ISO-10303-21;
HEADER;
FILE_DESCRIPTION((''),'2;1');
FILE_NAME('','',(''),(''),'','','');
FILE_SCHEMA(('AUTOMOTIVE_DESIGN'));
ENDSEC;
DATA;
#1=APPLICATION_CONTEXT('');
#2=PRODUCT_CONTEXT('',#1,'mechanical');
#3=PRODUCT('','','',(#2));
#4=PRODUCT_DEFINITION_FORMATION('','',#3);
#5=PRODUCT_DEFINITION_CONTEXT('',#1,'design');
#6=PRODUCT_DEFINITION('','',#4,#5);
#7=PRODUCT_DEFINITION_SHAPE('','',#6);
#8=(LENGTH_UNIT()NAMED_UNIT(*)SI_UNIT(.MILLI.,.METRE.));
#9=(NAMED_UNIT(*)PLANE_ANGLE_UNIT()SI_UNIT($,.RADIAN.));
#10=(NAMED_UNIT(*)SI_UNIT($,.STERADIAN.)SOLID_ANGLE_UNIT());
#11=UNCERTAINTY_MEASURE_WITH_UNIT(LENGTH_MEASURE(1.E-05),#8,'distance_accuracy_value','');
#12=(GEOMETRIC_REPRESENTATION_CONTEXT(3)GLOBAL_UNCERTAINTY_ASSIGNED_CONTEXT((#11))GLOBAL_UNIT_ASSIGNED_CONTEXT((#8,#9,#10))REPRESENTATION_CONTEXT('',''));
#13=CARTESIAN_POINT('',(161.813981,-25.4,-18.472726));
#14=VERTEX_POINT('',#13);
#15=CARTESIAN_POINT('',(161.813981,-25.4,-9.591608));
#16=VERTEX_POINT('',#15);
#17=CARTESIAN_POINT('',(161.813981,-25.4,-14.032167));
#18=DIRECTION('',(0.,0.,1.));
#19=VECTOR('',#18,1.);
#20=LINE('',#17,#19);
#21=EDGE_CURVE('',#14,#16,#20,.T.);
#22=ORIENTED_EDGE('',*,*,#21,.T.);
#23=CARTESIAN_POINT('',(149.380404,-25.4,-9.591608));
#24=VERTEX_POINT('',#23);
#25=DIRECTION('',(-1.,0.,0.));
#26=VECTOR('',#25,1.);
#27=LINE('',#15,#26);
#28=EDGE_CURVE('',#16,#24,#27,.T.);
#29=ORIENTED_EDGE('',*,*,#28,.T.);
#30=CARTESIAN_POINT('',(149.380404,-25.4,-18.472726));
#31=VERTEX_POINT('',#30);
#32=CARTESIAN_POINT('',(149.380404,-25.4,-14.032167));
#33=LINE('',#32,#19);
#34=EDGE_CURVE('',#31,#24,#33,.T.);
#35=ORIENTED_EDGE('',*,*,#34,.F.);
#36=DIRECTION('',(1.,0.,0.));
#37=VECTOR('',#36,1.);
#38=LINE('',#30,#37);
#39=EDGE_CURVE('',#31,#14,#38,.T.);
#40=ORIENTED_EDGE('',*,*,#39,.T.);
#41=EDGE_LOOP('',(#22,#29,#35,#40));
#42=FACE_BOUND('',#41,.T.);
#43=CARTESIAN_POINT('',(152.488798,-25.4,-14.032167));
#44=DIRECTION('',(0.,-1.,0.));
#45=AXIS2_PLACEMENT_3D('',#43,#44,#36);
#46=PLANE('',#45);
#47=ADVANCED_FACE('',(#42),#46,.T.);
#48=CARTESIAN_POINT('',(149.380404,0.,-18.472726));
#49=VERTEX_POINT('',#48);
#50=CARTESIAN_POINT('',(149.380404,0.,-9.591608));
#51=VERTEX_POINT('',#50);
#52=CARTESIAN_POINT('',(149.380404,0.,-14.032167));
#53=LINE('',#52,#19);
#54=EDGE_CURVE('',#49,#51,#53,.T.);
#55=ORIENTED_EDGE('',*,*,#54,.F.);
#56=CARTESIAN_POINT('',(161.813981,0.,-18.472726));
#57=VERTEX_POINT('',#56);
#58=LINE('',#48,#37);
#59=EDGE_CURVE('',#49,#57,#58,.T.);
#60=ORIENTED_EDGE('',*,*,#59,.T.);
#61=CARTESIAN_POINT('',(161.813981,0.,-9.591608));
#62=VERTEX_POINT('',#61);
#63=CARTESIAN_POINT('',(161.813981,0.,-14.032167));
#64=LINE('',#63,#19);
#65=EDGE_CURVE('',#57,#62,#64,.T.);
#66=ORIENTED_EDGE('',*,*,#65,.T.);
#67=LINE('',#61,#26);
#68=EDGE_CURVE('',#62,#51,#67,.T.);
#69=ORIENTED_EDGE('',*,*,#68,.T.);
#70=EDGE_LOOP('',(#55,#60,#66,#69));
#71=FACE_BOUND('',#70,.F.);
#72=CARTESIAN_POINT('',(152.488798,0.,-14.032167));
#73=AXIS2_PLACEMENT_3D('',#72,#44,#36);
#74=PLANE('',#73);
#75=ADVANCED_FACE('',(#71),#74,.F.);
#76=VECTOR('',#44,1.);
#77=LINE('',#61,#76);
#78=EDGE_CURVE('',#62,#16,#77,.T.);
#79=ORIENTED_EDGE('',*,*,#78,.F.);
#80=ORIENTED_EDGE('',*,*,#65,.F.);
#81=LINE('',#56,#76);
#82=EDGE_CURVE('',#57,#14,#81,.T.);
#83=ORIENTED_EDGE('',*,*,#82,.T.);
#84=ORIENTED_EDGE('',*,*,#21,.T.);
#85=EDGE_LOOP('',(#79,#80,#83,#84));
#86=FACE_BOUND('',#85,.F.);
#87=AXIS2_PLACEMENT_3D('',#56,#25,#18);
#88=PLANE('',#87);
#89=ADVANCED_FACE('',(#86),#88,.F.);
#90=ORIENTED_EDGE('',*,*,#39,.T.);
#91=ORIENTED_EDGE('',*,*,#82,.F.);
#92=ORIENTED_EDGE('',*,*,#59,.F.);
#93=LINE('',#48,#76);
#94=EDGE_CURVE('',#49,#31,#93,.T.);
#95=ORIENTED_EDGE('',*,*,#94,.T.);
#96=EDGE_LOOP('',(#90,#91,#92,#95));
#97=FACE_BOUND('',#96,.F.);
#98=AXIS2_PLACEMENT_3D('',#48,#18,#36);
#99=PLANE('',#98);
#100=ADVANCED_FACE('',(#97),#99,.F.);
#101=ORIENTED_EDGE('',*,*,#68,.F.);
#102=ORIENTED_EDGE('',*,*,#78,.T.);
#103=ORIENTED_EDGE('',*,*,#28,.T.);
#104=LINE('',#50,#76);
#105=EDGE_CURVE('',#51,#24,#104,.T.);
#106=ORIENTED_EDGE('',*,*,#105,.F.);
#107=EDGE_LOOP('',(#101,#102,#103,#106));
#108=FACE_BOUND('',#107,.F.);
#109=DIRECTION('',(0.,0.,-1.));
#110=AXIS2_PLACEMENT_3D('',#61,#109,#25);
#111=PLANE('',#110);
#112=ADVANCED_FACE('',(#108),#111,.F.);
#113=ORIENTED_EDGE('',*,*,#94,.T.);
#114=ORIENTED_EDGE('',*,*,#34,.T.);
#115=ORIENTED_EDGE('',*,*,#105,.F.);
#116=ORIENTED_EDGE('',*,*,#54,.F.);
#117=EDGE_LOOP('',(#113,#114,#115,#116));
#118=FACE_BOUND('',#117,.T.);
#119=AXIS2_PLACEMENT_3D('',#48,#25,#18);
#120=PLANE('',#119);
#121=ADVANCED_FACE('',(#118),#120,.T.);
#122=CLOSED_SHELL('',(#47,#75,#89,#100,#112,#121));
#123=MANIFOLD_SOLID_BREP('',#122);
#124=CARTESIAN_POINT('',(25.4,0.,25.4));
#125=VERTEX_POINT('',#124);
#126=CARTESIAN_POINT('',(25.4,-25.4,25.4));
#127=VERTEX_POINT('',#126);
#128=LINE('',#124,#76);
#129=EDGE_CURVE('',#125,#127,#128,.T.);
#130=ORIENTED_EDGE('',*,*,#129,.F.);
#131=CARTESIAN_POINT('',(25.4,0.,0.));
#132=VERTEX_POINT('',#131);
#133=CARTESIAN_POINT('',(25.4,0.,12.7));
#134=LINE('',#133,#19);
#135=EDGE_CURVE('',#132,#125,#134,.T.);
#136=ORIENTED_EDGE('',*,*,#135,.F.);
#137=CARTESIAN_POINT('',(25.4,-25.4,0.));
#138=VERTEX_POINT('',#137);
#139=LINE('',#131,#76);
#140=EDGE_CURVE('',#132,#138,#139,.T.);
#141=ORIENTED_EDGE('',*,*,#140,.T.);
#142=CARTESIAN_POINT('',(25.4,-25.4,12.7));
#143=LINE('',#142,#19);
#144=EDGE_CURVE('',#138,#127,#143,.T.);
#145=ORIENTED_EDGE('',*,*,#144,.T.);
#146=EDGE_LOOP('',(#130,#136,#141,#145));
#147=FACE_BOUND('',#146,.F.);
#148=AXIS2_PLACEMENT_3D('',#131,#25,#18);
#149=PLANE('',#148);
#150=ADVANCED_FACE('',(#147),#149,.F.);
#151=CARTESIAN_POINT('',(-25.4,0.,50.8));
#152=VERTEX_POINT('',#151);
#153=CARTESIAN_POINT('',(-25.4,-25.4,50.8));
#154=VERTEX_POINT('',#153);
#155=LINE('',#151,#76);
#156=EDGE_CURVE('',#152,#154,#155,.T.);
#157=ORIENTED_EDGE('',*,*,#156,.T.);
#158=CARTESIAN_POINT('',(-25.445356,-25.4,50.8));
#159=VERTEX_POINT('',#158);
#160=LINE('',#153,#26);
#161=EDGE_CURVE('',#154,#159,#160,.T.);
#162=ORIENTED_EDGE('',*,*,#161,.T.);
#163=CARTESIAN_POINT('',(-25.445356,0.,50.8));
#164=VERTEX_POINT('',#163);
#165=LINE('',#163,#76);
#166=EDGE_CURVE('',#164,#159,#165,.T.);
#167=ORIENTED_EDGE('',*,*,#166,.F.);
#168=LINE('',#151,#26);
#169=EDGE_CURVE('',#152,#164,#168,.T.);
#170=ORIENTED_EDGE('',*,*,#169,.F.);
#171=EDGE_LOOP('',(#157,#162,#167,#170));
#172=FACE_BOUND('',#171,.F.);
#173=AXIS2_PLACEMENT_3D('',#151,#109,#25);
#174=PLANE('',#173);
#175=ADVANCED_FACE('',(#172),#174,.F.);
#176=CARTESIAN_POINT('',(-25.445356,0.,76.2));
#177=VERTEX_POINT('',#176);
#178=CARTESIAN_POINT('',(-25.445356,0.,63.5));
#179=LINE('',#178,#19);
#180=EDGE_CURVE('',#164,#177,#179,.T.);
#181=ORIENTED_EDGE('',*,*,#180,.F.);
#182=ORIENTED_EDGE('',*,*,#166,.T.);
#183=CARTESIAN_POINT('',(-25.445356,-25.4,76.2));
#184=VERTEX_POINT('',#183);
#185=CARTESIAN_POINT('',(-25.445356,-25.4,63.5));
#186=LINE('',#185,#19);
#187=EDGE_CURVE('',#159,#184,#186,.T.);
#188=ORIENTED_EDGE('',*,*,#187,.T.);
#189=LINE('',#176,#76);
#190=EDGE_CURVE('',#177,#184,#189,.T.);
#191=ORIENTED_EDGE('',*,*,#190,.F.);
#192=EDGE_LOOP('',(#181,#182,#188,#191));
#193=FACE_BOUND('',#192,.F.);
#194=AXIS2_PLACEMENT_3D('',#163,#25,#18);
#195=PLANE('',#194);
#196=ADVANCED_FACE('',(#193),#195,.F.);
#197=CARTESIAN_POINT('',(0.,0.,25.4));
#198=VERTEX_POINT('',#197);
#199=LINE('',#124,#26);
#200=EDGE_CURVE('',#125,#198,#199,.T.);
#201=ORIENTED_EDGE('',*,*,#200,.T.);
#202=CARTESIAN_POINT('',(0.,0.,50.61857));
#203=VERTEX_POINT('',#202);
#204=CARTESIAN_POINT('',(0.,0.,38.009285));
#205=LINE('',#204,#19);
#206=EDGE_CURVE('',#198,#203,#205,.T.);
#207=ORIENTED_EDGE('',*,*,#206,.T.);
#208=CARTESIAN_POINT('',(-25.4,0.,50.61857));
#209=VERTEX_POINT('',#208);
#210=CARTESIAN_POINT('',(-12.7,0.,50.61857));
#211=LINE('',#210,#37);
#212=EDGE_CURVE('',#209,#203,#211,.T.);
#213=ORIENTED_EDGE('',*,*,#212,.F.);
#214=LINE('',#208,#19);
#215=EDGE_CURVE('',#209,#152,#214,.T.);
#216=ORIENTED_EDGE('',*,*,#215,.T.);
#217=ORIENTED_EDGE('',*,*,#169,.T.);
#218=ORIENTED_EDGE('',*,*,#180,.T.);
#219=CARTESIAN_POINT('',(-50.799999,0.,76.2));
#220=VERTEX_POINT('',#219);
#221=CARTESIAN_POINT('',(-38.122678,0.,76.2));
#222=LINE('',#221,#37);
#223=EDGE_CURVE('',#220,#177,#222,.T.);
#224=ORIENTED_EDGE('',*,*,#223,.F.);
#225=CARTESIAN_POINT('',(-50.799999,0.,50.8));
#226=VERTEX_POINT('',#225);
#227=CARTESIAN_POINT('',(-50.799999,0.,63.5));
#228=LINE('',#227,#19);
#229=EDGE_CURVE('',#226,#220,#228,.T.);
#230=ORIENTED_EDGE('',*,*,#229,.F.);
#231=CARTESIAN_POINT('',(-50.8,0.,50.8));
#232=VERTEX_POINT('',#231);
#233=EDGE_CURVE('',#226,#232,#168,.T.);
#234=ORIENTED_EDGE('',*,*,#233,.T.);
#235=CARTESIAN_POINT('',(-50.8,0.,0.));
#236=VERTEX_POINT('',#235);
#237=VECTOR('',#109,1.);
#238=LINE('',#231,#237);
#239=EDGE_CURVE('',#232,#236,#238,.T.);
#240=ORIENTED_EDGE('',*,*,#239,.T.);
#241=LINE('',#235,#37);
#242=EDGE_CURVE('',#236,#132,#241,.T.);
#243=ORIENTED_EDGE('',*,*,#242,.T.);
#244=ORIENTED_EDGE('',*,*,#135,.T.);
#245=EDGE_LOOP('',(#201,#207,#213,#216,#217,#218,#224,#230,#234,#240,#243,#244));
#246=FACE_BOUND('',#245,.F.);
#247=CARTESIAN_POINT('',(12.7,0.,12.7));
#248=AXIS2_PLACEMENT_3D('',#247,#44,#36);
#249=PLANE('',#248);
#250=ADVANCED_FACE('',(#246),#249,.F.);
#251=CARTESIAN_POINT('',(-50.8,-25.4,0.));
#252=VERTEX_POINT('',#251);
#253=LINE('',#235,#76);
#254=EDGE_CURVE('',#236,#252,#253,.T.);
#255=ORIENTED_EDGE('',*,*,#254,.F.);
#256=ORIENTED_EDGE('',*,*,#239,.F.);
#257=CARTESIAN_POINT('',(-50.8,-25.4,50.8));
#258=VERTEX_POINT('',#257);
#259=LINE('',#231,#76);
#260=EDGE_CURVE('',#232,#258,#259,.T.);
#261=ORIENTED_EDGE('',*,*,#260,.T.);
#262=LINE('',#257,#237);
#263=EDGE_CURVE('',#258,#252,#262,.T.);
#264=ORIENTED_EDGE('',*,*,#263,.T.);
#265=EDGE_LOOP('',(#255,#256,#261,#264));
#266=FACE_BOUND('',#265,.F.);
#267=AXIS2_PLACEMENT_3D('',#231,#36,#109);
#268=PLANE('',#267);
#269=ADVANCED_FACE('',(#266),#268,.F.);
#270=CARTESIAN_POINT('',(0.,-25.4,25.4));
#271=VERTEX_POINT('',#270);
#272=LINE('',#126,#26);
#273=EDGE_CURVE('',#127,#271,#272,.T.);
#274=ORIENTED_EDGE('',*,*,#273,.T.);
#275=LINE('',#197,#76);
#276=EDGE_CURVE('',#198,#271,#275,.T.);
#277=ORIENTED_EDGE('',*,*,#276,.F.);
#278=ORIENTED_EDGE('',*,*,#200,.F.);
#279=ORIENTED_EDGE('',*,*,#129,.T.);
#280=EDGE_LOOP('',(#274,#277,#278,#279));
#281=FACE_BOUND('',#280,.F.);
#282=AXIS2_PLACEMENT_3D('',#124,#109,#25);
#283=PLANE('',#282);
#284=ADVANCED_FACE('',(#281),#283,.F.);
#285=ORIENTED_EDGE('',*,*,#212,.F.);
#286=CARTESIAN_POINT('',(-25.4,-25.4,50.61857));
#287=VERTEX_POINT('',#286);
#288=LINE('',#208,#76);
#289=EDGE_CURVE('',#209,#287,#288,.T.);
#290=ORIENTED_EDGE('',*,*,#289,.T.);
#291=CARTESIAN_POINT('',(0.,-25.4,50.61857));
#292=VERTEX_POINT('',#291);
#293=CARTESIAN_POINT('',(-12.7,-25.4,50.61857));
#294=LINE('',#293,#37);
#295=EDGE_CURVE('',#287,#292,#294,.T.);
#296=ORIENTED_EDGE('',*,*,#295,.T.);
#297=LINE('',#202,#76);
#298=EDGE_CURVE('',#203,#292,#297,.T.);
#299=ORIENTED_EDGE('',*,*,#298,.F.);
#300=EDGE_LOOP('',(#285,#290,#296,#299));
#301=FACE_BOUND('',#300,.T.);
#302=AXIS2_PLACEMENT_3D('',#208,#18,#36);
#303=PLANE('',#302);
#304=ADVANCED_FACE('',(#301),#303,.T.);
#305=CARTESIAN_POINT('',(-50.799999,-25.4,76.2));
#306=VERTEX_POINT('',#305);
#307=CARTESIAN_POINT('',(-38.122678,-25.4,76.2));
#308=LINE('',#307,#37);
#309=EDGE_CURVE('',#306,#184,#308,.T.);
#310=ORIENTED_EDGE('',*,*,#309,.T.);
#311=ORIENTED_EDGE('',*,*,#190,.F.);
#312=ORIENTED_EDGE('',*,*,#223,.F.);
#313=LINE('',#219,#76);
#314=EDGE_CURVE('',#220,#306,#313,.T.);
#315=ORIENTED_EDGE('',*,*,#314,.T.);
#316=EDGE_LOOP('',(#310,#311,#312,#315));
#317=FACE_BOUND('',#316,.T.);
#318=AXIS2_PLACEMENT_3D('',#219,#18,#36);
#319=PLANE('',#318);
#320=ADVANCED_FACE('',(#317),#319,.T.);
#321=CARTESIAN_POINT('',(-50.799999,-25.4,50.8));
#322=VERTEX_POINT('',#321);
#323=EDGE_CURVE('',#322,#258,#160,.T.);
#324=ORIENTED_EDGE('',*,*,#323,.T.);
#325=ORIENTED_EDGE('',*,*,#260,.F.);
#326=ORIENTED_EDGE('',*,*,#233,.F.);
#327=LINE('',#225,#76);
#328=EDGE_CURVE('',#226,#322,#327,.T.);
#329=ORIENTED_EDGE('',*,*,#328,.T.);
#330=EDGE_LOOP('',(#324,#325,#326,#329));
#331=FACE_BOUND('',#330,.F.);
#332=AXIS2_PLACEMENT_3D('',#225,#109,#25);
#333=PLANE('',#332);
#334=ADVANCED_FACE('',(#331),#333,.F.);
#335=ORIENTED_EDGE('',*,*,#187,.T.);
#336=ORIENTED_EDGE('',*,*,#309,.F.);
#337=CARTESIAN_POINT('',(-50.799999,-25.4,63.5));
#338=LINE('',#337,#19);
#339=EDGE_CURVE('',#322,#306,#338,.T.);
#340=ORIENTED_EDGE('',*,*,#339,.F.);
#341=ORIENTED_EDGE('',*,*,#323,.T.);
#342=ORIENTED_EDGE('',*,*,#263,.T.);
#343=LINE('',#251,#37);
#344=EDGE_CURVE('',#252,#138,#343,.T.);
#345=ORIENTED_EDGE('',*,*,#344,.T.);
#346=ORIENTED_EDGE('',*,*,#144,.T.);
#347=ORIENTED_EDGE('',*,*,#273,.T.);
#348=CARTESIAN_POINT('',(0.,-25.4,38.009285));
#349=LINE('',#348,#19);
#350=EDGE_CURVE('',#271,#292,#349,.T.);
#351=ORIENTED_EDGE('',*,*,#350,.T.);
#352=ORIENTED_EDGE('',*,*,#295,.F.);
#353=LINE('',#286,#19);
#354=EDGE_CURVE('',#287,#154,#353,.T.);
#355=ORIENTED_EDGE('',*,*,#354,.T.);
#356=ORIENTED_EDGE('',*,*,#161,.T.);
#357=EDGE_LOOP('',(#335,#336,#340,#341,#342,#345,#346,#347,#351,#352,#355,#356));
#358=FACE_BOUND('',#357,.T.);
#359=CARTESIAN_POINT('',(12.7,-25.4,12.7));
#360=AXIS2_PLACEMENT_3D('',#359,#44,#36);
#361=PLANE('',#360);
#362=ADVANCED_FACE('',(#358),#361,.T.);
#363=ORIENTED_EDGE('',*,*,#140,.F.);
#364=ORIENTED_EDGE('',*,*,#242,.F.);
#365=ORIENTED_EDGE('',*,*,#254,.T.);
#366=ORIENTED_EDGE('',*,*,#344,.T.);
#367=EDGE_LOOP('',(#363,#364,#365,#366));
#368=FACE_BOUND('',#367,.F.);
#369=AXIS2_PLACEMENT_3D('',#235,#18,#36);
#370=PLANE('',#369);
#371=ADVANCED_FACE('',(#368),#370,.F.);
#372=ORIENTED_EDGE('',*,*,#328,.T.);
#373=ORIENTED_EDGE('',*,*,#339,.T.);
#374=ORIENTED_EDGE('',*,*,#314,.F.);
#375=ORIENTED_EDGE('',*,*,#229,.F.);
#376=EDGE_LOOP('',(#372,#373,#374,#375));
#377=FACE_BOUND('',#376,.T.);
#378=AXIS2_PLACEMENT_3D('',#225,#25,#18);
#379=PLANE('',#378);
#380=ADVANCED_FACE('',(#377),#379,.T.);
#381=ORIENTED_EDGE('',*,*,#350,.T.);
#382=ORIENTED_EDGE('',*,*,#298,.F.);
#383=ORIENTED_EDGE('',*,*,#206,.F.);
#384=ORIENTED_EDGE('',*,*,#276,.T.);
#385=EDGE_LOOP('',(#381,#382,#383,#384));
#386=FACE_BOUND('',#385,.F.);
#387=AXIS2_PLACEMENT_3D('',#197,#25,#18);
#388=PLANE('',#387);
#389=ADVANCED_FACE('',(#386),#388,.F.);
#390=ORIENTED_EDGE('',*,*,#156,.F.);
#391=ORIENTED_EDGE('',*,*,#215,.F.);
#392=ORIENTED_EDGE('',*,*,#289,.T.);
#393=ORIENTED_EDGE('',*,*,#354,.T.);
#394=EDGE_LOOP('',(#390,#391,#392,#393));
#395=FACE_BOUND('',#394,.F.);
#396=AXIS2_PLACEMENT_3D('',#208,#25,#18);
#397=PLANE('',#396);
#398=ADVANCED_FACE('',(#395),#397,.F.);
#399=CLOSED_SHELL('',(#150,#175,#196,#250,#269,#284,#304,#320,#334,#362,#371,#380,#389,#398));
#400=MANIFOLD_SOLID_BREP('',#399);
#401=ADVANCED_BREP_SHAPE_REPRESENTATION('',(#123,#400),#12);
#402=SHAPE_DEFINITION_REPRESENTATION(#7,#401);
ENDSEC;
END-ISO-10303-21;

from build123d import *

# Parameters (mm, degrees)
F0_W     = 25.4
F0_H     = 25.4
F0_H_2   = 25.21857
F0_W_2   = 25.354643
F0_W_3   = 6.216788
F0_H_3   = 8.881118
F0_W_4   = 6.216789
F1_DEPTH = 25.4


with BuildPart() as f1:
    # F0 (on Front) → F1 (new body)
    with BuildSketch(Plane.XZ):
        with Locations((12.7, 12.7)):
            Rectangle(F0_W, F0_H)
        with Locations((-12.7, 12.7)):
            Rectangle(F0_W, F0_H)
        with Locations((-12.7, 38.009285)):
            Rectangle(F0_W, F0_H_2)
        with Locations((-38.1, 12.7)):
            Rectangle(F0_W, F0_H)
        Polygon((-50.8, 25.4), (-25.4, 25.4), (-25.4, 50.61857), (-25.4, 50.8), (-25.445357, 50.8), (-50.8, 50.8), align=None)
        with Locations((-38.122678, 63.5)):
            Rectangle(F0_W_2, F0_H)
        with Locations((152.488798, -14.032167)):
            Rectangle(F0_W_3, F0_H_3)
        with Locations((158.705586, -14.032167)):
            Rectangle(F0_W_4, F0_H_3)
    extrude(amount=F1_DEPTH)


solid = f1.part
